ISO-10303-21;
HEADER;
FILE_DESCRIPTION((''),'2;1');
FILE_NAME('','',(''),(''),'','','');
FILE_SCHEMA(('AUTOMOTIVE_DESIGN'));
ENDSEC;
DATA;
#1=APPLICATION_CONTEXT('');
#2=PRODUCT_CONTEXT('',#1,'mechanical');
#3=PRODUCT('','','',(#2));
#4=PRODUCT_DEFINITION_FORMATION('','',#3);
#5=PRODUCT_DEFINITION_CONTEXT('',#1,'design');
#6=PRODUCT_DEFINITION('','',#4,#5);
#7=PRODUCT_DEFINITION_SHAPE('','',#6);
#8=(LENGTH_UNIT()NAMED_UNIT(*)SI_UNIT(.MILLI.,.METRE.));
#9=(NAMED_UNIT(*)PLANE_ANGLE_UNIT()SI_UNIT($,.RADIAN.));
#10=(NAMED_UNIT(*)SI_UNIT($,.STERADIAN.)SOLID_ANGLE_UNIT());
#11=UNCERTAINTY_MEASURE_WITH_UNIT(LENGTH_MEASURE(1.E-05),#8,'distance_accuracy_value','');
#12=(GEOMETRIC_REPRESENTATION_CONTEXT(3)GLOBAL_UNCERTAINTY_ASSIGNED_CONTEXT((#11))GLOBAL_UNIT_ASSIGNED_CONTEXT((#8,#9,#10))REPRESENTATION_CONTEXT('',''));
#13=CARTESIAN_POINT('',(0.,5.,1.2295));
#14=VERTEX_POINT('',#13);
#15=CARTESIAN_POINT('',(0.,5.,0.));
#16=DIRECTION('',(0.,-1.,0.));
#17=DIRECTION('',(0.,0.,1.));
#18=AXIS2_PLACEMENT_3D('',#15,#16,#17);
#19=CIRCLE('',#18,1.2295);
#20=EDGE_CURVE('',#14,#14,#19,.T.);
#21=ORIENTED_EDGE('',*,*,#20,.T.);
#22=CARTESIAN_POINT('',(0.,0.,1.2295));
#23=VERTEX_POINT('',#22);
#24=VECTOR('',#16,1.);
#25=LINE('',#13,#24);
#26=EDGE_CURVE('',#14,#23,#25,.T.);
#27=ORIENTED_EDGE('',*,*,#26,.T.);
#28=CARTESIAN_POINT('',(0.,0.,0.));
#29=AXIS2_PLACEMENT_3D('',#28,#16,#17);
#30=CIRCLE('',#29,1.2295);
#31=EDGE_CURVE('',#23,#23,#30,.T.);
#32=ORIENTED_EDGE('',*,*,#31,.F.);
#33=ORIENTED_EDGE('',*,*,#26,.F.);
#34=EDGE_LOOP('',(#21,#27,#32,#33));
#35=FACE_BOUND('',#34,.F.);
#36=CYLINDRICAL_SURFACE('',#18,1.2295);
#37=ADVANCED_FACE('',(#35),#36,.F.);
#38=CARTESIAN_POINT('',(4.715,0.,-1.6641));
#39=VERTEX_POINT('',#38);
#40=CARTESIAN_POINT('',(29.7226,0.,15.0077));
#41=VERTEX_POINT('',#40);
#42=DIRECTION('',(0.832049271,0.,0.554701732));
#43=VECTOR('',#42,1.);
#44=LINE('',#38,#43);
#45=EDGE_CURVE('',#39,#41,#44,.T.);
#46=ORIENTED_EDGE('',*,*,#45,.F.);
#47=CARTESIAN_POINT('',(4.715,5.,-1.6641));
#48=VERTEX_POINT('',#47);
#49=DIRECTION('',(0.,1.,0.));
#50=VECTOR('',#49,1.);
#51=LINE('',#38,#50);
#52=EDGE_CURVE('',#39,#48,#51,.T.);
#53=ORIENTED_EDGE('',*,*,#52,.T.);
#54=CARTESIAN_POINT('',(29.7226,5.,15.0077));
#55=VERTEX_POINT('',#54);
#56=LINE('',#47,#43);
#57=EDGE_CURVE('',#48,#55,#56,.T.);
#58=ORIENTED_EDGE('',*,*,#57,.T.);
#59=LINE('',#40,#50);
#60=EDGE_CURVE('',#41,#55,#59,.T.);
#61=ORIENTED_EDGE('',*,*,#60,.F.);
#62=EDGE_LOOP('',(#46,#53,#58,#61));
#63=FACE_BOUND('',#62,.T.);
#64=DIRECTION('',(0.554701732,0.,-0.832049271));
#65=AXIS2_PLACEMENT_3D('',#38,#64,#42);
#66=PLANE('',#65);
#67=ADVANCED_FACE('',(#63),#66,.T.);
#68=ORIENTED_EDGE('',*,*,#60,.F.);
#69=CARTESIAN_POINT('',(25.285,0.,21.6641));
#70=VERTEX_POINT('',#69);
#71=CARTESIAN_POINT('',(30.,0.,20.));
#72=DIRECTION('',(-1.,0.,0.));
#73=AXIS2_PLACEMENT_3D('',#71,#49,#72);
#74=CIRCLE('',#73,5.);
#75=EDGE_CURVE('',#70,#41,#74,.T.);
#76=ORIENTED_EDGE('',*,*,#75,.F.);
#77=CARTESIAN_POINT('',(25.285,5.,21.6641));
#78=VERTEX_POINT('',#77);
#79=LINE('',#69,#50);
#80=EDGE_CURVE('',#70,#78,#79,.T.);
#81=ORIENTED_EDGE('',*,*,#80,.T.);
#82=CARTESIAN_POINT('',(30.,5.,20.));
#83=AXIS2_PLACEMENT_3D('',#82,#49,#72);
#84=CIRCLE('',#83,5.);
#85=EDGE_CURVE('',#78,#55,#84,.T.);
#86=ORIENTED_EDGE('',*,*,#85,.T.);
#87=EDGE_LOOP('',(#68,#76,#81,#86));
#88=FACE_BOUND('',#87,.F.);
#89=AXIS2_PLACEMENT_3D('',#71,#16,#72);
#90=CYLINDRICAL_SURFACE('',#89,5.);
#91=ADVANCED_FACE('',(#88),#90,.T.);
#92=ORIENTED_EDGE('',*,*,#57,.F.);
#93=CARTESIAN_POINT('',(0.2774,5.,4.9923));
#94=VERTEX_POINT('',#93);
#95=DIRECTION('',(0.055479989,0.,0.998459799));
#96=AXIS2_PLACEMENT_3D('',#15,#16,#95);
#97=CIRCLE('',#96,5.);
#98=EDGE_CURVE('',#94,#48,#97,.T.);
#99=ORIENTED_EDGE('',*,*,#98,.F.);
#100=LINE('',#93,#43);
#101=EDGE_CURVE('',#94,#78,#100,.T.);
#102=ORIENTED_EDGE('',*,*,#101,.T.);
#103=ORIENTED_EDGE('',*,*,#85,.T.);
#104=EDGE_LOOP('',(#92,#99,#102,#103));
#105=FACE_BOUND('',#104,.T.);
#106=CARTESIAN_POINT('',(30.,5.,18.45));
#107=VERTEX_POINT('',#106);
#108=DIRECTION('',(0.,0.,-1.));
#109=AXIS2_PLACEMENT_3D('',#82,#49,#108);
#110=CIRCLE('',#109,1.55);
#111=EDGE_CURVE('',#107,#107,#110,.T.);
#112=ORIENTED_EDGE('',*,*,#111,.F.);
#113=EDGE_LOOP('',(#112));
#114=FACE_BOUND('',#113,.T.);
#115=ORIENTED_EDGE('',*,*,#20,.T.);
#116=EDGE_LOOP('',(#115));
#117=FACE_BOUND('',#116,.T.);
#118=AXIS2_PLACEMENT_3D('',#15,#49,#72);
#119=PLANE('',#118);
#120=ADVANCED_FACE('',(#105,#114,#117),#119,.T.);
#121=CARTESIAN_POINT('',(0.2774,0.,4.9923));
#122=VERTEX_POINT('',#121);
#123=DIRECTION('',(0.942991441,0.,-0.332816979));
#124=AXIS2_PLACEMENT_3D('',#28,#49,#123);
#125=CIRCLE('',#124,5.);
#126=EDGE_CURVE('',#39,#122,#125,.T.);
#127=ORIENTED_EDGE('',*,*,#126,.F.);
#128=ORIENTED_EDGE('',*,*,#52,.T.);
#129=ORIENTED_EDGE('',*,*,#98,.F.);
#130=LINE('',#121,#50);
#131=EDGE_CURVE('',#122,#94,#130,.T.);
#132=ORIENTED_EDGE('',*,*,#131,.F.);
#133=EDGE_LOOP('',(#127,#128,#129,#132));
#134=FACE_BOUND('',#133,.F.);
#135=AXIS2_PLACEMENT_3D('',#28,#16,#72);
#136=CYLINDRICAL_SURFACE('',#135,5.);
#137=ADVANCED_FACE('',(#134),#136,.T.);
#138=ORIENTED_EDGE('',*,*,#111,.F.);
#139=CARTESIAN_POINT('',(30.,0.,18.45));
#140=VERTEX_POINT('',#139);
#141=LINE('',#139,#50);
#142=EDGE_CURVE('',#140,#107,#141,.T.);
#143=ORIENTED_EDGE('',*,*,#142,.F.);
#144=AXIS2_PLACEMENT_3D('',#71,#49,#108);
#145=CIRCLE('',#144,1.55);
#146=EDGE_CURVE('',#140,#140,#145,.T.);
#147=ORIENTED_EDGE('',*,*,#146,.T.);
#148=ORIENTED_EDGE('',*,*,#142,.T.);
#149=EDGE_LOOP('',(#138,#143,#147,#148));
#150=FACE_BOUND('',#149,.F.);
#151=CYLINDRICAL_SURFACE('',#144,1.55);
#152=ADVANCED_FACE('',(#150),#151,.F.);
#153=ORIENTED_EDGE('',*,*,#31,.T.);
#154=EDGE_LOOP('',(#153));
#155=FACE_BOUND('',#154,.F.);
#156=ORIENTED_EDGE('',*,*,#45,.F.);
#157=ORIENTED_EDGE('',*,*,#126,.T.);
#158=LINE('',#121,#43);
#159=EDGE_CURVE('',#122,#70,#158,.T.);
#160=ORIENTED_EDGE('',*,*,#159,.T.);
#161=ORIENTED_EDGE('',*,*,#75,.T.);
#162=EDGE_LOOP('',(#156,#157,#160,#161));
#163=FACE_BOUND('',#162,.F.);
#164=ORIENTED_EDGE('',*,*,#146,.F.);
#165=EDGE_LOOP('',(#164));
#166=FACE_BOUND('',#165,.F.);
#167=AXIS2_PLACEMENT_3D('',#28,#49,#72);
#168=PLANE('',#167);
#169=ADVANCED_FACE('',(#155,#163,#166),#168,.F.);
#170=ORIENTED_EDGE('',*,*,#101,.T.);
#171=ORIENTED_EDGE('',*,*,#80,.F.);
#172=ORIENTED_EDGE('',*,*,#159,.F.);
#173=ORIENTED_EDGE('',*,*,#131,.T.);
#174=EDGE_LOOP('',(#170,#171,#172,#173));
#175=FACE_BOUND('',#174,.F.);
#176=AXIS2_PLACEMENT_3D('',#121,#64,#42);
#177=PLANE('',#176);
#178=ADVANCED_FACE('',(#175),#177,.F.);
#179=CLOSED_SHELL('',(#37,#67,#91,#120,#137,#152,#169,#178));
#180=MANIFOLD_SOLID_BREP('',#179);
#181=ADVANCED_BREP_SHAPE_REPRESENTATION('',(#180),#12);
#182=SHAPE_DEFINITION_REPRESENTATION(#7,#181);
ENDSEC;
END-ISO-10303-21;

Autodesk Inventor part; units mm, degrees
ref_plane "YZ Plane" through (0, 0, 0) normal (1, 0, 0) x (0, 1, 0)
ref_plane "XZ Plane" through (0, 0, 0) normal (0, 1, 0) x (-1, 0, 0)
sketch "Sketch1" plane through (0, 0, 0) normal (0, 1, 0) x (-1, 0, 0)
  circle A0 centre (0, 0) radius 5
  circle A1 centre (-30, 20) radius 5
  line L0 (-4.715, -1.6641) -> (-29.7226, 15.0077)
  line L1 (-0.2774, 4.9923) -> (-25.285, 21.6641)
  line L2 (0, 0) -> (-30, 0) construction
  line L3 (-30, 0) -> (-30, 20) construction
  line L4 (0, 0) -> (-30, 20) construction
  dimension "d0" = 10
  dimension "d1" = 10
  dimension "d2" = 4
  dimension "d3" = 4
  dimension "d4" = 30
  dimension "d5" = 20
extrude "Extrusion1" add sketch "Sketch1" along normal blind 5
sketch "Sketch2" plane through (0, 0, 0) normal (0, -1, 0) x (1, 0, 0)
  line L0 (0, 0) -> (30, 20) construction
  arc A0 (29.7226, 15.0077) -> (25.285, 21.6641) centre (30, 20) ccw projected
  line L1 (0.2774, 4.9923) -> (25.285, 21.6641) projected
  arc A1 (0.2774, 4.9923) -> (4.715, -1.6641) centre (0, 0) ccw projected
  line L2 (29.7226, 15.0077) -> (4.715, -1.6641) projected
hole "Hole1" at (30, 0, 20) direction (0, 1, 0) diameter 3.1 end through all
ref_plane "Work Plane1" through (0, 1.5, 0) normal (0, 1, 0) x (1, 0, 0)
sketch "Sketch4" plane through (0, 5, 0) normal (0, 1, 0) x (1, 0, 0)
  circle A0 centre (30, -20) radius 1.55 projected
  arc A1 (25.285, -21.6641) -> (29.7226, -15.0077) centre (30, -20) ccw projected
  line L0 (29.7226, -15.0077) -> (4.715, 1.6641) projected
  arc A2 (4.715, 1.6641) -> (0.2774, -4.9923) centre (0, 0) ccw projected
  line L1 (0.2774, -4.9923) -> (25.285, -21.6641) projected
hole "Hole2" at (0, 5, 0) direction (0, -1, 0) diameter 2.459 end through all thread size "M3x0.5" class "6H" standard "ISO Metric profile"
properties part number "gripper_hand_connector"
